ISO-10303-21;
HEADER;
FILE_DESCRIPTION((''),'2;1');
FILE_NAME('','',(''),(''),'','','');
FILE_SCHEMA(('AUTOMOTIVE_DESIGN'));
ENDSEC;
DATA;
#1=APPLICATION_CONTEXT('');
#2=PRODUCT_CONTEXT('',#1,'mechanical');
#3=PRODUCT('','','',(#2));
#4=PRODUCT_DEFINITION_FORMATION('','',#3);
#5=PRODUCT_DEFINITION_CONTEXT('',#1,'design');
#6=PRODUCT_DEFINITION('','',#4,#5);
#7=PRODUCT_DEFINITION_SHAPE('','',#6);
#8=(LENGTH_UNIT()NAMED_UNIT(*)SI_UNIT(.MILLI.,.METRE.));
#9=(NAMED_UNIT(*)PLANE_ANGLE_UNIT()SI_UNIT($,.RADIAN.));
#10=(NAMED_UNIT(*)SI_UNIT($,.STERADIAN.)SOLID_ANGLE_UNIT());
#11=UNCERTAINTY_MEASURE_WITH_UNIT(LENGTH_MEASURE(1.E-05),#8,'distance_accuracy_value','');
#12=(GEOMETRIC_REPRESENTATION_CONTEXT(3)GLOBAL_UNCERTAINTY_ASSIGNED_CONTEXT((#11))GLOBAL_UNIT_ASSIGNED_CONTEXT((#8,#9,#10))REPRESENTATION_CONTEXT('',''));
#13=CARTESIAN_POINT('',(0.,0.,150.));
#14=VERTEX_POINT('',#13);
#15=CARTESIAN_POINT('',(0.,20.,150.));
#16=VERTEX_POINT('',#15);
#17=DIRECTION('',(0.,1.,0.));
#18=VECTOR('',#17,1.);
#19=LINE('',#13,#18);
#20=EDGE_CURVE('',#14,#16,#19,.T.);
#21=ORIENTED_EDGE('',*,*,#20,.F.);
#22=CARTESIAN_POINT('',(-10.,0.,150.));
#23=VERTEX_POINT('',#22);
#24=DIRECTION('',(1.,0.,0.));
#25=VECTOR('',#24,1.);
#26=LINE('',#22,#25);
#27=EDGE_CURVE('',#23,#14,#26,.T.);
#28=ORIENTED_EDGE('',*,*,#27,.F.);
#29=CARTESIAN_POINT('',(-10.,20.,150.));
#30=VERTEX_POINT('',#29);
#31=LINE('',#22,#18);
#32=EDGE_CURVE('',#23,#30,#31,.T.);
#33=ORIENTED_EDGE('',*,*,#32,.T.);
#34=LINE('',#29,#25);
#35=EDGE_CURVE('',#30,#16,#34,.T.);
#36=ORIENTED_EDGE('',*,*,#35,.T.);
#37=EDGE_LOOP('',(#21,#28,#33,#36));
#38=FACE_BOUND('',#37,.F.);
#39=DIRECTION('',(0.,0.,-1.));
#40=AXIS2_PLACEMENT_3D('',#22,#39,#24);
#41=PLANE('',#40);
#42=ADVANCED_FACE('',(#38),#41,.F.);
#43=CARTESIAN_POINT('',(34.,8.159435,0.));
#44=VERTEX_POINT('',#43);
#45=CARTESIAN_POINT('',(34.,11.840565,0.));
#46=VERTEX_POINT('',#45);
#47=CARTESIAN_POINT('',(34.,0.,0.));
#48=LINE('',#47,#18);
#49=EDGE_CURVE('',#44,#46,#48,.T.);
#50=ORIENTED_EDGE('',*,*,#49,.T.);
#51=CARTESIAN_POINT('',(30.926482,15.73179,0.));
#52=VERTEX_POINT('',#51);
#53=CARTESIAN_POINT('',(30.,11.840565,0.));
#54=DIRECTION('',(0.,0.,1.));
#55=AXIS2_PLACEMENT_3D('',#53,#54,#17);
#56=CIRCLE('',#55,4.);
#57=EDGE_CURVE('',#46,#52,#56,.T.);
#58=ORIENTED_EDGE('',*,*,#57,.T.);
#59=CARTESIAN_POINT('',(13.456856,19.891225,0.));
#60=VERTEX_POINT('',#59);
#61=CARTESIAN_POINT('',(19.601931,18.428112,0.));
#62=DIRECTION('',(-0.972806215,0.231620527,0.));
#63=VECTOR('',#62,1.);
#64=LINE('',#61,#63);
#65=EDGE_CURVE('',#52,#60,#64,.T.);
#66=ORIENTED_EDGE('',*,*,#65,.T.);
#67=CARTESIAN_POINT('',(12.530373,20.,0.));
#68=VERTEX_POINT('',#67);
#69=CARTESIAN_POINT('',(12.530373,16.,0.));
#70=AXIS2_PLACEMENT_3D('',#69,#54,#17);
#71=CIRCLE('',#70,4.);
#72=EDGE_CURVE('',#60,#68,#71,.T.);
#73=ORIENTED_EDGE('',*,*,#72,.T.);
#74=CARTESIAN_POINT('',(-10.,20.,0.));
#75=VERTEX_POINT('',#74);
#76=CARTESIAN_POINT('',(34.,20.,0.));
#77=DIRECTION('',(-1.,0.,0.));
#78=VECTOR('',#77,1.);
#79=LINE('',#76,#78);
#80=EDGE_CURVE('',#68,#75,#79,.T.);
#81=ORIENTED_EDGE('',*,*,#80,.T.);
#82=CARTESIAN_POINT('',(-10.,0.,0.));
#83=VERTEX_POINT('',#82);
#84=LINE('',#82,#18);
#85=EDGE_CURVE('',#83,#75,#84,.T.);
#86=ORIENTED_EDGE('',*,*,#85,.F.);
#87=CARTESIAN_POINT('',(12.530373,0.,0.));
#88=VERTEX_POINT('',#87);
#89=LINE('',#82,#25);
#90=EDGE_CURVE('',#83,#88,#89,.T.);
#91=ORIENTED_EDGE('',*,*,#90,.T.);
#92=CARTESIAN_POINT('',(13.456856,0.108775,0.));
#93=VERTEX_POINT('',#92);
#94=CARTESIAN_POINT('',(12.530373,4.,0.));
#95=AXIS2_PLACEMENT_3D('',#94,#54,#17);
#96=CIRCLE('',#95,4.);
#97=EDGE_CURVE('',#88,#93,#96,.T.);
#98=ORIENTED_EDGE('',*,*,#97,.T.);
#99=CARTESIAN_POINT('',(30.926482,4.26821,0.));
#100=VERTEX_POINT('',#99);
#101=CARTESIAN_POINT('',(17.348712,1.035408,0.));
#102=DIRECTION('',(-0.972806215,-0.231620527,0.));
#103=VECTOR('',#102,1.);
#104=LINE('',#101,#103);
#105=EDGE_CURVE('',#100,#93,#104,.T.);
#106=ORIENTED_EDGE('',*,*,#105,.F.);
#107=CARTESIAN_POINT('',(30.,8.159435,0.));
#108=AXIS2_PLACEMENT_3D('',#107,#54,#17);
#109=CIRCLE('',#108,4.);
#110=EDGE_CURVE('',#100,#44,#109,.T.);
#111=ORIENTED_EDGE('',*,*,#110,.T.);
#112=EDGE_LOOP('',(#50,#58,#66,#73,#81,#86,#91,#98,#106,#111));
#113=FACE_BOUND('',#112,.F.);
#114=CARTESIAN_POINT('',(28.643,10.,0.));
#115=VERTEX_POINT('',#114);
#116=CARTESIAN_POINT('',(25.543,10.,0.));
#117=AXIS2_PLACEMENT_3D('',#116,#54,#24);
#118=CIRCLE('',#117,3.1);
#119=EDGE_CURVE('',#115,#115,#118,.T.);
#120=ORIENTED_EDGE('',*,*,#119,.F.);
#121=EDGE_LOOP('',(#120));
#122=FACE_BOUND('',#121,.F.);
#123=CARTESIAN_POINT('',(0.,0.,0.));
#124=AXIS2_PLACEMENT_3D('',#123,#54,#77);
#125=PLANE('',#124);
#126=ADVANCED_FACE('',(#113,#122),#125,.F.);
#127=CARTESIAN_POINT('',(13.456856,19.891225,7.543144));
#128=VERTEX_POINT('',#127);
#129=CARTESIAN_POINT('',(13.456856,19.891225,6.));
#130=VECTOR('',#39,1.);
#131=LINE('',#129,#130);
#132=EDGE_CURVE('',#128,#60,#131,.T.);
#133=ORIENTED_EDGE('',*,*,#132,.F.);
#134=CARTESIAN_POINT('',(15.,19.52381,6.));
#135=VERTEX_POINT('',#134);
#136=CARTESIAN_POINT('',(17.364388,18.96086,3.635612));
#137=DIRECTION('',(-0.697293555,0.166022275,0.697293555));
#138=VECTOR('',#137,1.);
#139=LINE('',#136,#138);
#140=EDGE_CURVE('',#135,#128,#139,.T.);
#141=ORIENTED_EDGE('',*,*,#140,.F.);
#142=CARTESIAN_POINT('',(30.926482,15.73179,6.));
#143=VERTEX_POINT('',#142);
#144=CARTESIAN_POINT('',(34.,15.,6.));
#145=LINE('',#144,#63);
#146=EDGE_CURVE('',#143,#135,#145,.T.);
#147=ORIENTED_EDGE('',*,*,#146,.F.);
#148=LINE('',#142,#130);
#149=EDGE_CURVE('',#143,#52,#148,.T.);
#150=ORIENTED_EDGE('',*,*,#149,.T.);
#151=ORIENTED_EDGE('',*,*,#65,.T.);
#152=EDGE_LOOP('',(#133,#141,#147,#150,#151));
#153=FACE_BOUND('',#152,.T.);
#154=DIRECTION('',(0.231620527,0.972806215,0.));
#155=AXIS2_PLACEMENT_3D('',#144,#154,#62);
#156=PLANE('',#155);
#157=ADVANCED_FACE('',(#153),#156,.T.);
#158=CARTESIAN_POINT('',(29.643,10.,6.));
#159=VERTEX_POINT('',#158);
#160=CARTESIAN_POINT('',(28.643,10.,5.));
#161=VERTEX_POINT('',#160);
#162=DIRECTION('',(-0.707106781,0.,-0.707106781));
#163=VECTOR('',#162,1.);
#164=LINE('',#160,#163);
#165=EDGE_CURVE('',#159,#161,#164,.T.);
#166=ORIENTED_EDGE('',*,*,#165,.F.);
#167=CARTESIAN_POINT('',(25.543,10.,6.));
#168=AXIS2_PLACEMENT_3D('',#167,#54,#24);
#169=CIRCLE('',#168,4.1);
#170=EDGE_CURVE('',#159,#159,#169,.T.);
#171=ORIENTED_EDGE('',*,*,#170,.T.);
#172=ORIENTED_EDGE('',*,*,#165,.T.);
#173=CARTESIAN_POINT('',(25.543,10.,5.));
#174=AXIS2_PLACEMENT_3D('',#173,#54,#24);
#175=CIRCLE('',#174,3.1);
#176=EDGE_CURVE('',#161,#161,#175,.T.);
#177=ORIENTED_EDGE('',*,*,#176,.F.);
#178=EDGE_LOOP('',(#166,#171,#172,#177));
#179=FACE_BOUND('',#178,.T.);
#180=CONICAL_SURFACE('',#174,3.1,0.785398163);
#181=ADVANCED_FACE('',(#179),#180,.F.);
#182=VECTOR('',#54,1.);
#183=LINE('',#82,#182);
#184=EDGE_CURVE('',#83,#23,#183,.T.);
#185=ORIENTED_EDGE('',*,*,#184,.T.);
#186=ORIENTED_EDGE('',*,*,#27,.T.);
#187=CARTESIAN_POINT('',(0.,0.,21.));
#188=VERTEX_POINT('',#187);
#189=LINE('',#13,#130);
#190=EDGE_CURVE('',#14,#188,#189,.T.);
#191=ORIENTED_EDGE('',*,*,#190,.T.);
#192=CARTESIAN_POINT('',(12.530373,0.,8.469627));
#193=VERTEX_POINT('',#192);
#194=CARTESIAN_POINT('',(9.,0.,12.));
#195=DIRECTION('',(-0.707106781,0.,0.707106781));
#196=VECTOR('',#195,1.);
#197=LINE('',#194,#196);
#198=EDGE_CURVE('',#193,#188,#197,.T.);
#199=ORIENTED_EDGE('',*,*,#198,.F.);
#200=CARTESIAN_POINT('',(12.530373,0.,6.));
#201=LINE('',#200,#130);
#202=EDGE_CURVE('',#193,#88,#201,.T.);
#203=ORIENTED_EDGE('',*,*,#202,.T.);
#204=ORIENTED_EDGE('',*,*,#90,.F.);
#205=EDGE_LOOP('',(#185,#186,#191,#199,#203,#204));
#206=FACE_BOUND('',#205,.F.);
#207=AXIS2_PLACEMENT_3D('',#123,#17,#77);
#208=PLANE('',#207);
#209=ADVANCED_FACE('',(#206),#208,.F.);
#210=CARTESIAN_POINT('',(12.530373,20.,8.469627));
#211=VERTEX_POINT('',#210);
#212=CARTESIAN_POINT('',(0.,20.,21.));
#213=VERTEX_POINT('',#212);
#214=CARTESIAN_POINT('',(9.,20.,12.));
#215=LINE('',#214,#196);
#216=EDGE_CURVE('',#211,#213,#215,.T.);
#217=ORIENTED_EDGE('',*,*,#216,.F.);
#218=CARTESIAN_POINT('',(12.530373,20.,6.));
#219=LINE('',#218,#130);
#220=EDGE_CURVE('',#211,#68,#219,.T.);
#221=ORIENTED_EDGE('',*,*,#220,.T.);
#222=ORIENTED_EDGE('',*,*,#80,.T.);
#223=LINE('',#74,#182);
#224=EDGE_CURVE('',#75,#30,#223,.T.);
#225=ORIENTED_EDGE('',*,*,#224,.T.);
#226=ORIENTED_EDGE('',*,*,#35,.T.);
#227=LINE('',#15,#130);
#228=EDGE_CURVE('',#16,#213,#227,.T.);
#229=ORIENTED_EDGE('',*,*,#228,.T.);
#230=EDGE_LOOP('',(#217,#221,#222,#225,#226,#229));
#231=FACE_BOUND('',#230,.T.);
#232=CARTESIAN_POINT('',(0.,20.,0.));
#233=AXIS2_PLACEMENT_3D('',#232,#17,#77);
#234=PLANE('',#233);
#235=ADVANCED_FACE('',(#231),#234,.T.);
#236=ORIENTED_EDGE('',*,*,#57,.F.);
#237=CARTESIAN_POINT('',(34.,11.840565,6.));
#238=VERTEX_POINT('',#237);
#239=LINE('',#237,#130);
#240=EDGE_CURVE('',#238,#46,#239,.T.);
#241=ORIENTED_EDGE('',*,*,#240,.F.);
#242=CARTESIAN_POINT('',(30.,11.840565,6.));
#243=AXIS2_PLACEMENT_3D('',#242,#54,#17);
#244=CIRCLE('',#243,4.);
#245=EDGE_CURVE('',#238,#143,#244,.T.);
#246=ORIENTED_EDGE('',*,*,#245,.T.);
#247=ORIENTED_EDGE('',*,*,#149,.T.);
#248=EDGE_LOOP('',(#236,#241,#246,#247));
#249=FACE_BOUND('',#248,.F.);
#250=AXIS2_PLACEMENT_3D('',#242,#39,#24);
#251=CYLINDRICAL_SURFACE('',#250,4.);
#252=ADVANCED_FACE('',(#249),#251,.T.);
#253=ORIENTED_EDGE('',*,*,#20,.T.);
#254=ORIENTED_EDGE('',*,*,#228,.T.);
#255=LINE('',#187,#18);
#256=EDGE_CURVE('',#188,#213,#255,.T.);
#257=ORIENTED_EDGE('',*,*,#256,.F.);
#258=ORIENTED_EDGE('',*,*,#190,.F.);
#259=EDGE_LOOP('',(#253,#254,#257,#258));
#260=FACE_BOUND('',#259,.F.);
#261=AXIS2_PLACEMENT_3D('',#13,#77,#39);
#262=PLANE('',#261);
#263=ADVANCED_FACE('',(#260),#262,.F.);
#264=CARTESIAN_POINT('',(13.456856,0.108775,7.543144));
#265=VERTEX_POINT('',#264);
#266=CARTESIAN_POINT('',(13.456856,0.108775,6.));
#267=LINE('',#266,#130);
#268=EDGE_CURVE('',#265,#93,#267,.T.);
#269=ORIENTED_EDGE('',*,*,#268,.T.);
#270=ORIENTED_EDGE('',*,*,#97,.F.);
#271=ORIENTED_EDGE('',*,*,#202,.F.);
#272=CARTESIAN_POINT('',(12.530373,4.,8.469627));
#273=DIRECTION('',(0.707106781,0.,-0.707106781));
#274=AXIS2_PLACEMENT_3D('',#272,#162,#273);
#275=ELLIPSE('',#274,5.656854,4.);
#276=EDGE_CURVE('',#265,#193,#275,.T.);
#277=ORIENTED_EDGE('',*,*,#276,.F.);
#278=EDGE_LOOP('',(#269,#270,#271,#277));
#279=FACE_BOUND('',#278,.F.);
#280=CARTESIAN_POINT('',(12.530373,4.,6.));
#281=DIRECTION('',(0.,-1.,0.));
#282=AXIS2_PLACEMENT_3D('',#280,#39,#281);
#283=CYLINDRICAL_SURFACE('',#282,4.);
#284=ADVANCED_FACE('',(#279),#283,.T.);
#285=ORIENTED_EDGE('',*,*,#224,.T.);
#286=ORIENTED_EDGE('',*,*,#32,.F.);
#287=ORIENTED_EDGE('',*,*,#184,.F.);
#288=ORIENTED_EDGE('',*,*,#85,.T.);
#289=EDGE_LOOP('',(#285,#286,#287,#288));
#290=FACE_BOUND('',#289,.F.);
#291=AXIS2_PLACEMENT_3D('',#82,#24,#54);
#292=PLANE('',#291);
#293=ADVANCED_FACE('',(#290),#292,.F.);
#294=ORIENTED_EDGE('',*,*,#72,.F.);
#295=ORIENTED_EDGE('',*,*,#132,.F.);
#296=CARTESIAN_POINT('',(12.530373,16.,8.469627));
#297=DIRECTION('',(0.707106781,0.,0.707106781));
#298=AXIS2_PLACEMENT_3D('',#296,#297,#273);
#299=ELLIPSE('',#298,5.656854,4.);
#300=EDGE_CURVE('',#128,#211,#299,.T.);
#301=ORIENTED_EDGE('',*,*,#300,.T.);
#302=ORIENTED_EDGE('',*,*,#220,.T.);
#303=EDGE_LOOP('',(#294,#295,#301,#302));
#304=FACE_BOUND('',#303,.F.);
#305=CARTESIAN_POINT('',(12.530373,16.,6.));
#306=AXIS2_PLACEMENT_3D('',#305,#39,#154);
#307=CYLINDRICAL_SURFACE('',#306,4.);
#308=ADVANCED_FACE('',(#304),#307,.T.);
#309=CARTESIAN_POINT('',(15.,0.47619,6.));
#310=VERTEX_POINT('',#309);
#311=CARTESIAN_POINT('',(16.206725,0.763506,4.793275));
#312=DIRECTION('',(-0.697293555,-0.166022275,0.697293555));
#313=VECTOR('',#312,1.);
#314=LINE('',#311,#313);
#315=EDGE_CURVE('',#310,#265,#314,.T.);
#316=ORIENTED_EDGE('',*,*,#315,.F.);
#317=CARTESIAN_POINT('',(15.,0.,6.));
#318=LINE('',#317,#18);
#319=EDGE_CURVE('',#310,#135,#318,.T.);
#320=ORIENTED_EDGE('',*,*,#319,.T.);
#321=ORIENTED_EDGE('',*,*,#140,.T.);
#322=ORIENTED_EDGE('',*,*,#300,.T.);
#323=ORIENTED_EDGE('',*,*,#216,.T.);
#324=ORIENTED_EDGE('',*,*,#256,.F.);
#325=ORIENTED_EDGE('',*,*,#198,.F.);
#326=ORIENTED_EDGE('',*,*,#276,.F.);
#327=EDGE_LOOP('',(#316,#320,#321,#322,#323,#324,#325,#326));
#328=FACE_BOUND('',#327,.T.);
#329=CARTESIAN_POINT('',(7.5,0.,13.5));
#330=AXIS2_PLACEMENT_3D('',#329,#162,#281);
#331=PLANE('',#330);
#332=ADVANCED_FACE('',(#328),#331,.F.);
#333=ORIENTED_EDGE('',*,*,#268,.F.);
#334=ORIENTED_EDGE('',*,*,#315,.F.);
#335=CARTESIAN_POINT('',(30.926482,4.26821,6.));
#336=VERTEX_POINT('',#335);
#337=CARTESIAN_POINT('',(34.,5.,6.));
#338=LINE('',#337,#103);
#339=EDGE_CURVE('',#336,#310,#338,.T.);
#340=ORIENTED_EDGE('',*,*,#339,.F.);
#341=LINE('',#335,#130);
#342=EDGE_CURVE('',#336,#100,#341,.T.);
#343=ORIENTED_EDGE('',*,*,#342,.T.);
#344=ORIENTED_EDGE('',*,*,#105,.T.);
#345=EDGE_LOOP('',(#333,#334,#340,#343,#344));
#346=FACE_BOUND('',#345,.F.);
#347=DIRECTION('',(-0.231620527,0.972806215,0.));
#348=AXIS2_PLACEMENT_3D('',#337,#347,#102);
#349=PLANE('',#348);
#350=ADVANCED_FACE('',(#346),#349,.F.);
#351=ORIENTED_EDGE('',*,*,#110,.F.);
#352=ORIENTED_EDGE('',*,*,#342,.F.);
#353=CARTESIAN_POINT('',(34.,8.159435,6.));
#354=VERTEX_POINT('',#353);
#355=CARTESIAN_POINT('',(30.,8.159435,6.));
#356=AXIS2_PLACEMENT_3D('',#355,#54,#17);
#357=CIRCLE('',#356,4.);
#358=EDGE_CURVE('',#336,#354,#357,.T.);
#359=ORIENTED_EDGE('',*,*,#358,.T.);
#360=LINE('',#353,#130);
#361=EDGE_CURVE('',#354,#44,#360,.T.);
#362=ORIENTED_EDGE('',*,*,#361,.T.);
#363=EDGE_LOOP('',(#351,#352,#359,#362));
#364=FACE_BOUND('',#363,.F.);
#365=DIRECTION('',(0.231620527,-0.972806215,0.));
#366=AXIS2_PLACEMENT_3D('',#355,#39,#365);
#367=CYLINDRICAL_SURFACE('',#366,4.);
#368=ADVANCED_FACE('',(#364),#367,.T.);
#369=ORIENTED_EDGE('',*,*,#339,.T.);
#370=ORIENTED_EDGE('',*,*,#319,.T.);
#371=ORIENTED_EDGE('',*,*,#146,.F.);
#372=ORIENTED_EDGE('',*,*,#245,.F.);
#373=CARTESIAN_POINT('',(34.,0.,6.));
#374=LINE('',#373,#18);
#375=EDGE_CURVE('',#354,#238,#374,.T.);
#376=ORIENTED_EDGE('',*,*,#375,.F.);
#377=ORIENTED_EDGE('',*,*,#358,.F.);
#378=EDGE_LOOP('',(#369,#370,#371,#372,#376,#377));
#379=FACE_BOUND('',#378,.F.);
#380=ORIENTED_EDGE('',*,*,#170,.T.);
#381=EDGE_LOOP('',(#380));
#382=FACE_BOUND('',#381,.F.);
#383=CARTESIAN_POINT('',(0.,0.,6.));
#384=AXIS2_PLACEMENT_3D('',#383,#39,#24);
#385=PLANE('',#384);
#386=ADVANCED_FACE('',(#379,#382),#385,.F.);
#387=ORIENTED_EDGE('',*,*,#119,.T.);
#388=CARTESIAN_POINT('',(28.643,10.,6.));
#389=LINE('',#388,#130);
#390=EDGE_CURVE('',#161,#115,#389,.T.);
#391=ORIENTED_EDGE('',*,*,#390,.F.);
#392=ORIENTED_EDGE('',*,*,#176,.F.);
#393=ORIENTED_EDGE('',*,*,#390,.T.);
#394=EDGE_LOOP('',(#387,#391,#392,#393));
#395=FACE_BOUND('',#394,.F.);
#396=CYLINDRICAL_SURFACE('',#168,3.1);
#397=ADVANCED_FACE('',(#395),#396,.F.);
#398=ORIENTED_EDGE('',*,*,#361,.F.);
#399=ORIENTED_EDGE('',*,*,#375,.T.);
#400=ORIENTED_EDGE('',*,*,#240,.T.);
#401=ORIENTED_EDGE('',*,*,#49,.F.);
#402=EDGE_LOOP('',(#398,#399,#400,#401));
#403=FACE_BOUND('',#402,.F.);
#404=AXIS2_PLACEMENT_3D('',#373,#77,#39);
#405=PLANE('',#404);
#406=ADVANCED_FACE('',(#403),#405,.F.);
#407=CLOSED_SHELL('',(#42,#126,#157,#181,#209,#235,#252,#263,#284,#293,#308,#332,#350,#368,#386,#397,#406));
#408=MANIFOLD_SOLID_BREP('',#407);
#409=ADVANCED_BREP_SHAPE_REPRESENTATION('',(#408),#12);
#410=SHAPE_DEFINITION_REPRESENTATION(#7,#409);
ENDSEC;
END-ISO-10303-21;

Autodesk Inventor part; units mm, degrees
ref_plane "YZ Plane" through (0, 0, 0) normal (1, 0, 0) x (0, 1, 0)
ref_plane "XZ Plane" through (0, 0, 0) normal (0, 1, 0) x (-1, 0, 0)
ref_plane "XY Plane" through (0, 0, 0) normal (0, 0, 1) x (1, 0, 0)
sketch "Sketch1" plane through (0, 0, 0) normal (0, 1, 0) x (-1, 0, 0)
  line L0 (0, 0) -> (10, 0)
  line L1 (10, 0) -> (10, 150)
  line L2 (10, 150) -> (0, 150)
  line L3 (0, 150) -> (0, 0)
  line L4 (0, 6) -> (-34, 6)
  line L5 (-34, 6) -> (-34, 0)
  line L6 (-34, 0) -> (0, 0)
  line L7 (0, 0) -> (0, 6)
  dimension "d0" = 10
  dimension "d1" = 150
  dimension "d2" = 34
  dimension "d3" = 6
extrude "Extrusion1" add sketch "Sketch1" along normal blind 20
sketch "Sketch2" plane through (0, 0, 6) normal (0, 0, 1) x (1, 0, 0)
  circle A0 centre (25.543, 10) radius 3.1
  line L0 (34, 0) -> (34, 20) projected
  point P0 (0, 0)
  point P1 (34, 10)
  dimension "d6" = 6.2
  dimension "d9" = 8.457
extrude "Extrusion2" cut sketch "Sketch2" against normal through all
chamfer "Chamfer2" distance 1 angle 45 1 edges at (22.443, 10, 6)
sketch "Sketch3" plane through (0, 0, 6) normal (0, 0, 1) x (1, 0, 0)
  line L0 (34, 0) -> (34, 20) projected
  line L1 (34, 5) -> (13, 0)
  line L2 (34, 0) -> (-10, 0) projected
  line L3 (34, 15) -> (13, 20)
  line L4 (0, 20) -> (34, 20) projected
  line L5 (34, 0) -> (34, 20) projected
  circle A0 centre (25.543, 10) radius 3.1 projected
  point P0 (0, 0)
  point P1 (34, 15)
  dimension "d16" = 10
  dimension "d17" = 5
  dimension "d18" = 21
extrude "Extrusion3" cut sketch "Sketch3" against normal through all contours L2 L1 L0 | L3 L4 L0
fillet "Fillet1" radius 4 4 edges at (34, 5, 3) (34, 15, 3) (13, 20, 3) (13, 0, 3)
chamfer "Chamfer3" distance 15 angle 45 1 edges at (0, 10, 6)
equation "\"d17\" = 0.5 * d16"
properties part number "rotator_squarer"
